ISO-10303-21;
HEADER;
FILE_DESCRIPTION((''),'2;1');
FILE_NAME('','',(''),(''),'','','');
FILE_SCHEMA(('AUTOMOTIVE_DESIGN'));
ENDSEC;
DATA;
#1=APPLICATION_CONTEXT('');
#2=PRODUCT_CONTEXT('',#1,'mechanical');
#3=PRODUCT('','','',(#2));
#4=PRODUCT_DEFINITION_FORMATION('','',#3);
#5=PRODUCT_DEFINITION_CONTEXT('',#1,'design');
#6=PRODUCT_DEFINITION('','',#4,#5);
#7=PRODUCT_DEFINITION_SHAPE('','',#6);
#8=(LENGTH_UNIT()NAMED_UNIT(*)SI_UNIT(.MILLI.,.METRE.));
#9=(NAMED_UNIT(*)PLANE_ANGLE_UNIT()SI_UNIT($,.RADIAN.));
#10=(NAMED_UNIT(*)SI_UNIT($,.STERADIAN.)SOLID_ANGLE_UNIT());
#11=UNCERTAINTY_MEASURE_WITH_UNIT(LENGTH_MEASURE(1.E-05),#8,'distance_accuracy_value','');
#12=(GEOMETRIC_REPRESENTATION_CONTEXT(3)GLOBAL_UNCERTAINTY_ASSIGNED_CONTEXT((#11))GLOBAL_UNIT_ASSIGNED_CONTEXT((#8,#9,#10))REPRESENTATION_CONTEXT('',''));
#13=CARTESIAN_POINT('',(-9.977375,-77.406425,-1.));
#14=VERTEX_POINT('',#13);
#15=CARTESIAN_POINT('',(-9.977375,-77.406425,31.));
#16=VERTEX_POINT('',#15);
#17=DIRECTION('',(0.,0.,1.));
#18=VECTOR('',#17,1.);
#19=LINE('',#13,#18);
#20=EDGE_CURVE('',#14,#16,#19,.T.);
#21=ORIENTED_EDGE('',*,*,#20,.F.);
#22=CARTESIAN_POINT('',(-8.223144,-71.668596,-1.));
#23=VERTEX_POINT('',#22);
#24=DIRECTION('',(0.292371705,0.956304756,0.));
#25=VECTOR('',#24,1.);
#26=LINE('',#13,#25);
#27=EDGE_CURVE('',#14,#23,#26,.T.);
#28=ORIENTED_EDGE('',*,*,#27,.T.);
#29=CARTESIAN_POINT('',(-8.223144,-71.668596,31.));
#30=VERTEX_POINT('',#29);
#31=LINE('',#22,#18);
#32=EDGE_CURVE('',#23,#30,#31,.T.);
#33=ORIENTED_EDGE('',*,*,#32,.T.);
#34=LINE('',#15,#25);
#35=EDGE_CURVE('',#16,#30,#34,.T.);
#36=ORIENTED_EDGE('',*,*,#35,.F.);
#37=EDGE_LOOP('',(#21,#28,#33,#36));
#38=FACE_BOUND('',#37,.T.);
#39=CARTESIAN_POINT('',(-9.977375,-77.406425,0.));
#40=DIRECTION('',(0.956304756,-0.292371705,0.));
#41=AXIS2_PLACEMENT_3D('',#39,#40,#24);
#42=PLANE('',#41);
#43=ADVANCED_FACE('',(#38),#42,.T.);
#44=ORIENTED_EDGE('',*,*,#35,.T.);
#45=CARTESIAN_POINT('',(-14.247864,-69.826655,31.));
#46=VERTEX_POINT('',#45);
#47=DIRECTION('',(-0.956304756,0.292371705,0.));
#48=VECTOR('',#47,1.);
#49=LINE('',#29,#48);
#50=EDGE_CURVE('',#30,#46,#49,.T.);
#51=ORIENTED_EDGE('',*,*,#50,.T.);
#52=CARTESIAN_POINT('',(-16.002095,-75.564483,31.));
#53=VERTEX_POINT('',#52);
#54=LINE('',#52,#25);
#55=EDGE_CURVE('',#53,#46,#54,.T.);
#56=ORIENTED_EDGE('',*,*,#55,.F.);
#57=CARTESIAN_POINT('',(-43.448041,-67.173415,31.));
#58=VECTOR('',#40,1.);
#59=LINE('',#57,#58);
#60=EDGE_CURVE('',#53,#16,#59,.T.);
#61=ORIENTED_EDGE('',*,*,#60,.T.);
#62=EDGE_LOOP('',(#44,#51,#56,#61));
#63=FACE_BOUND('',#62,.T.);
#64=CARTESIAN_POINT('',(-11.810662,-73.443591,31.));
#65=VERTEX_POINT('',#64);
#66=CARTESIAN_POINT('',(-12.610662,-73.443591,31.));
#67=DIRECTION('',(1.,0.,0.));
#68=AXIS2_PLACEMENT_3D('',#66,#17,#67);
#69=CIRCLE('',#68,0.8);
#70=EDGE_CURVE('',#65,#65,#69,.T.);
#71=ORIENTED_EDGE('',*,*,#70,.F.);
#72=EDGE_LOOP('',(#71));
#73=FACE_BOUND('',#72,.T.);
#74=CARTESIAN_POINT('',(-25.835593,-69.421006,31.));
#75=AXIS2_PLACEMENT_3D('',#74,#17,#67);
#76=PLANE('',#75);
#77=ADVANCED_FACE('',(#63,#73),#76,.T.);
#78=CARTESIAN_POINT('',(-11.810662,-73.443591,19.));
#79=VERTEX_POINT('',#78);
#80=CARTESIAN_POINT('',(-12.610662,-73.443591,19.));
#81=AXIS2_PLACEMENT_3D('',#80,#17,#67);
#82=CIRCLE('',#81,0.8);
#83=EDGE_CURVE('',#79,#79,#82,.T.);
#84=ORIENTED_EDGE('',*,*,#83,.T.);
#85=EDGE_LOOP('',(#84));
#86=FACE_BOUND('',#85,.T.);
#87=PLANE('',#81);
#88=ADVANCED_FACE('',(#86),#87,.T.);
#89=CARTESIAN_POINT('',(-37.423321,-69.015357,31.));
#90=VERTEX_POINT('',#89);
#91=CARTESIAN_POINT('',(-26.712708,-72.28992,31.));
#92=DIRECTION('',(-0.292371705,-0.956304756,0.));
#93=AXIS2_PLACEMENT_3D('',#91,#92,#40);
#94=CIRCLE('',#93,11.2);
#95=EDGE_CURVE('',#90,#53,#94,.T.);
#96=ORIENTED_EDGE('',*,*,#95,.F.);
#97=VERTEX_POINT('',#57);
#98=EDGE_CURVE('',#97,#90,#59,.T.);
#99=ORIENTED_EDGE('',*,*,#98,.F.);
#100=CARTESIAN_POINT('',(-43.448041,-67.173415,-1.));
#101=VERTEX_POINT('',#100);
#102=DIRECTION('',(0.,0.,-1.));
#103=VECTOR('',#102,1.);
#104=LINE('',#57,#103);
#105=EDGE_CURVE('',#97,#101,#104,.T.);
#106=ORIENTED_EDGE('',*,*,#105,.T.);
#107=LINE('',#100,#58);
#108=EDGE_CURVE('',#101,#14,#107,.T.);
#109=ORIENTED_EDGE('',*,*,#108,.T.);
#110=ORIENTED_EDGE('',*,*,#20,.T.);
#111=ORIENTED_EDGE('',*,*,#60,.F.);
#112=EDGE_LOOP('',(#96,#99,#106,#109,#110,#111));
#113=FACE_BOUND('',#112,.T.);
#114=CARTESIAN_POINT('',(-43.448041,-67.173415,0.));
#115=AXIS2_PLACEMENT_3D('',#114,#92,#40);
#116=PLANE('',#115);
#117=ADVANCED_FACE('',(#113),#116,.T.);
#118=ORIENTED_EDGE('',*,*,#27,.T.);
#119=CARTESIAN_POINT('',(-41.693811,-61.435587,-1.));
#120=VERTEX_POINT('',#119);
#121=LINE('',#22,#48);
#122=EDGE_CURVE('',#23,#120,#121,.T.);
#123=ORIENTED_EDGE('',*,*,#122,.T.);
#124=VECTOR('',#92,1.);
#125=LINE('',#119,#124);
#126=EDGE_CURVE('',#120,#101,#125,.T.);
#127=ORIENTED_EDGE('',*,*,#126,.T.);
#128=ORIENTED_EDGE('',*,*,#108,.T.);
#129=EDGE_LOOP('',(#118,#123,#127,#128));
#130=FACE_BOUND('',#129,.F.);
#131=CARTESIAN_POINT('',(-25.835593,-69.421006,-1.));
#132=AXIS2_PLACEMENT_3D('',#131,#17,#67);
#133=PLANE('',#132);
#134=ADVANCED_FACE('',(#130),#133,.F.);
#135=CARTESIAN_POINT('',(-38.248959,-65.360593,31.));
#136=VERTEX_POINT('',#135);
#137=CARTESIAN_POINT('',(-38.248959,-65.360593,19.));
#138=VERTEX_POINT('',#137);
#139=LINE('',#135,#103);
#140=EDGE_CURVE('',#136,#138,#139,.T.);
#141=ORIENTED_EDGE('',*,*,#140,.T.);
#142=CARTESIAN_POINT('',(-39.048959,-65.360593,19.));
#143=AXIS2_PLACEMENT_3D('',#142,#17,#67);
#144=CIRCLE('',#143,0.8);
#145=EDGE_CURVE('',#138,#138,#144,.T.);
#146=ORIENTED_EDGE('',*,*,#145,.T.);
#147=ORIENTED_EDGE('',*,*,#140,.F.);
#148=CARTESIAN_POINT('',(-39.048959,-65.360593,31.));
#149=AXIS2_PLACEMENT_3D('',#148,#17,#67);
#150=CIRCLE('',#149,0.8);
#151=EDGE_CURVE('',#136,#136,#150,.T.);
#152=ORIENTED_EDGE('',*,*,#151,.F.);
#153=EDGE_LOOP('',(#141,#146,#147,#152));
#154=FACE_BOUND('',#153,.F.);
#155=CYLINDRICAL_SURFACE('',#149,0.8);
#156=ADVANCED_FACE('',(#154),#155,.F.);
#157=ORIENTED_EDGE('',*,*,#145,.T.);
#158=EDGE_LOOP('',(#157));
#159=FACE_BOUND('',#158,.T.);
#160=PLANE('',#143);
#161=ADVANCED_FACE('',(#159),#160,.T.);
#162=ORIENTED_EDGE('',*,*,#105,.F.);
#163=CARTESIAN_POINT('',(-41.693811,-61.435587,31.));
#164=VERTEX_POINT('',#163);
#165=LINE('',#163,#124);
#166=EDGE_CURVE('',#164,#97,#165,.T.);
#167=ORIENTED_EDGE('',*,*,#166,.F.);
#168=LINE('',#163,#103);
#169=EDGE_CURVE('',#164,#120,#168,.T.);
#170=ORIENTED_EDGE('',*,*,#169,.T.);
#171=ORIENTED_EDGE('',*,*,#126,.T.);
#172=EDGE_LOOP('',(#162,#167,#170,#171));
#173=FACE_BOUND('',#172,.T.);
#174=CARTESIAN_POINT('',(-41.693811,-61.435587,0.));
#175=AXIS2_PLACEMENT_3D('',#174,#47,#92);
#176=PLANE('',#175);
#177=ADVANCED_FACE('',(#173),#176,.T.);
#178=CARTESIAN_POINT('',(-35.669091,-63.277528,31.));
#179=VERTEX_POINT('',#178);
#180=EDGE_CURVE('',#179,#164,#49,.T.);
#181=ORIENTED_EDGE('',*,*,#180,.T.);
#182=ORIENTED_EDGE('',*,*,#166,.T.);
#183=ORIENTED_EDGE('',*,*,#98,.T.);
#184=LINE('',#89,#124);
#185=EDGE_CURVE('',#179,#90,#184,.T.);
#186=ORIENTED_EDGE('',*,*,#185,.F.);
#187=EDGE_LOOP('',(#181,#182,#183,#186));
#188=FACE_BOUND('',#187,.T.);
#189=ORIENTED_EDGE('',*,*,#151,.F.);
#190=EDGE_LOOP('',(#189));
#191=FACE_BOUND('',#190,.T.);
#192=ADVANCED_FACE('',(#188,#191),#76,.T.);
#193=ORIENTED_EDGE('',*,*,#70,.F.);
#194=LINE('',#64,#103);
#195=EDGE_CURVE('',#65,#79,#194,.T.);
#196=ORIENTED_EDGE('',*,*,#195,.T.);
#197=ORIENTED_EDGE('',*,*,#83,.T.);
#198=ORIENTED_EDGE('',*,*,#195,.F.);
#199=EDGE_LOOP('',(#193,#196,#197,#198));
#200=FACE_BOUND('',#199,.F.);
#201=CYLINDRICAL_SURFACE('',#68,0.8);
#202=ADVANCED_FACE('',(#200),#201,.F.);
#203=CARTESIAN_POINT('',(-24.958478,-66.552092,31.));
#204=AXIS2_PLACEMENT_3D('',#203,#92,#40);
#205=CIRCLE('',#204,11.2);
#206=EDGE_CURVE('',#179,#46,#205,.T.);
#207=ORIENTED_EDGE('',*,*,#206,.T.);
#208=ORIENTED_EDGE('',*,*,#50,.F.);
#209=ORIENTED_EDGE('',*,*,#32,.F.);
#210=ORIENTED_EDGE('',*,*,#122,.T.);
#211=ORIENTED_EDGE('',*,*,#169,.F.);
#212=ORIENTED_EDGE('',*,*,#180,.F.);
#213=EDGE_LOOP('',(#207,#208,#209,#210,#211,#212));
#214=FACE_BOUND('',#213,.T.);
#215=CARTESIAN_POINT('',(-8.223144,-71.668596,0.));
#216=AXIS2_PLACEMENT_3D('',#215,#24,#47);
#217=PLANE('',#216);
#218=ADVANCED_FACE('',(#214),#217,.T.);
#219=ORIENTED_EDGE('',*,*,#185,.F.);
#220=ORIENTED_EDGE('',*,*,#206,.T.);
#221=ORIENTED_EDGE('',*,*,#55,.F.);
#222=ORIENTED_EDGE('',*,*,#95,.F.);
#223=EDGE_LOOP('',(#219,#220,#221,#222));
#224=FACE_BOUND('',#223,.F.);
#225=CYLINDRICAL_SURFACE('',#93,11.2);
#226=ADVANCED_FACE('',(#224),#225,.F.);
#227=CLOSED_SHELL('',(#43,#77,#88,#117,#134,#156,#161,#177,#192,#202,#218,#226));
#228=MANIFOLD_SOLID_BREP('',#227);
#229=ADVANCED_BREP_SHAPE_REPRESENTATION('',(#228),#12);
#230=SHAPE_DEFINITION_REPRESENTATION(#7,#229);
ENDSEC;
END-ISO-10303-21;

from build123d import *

# Parameters (mm, degrees)
PAD005_DEPTH      = 31
PAD005_DEPTH_BACK = 1
SKETCH022_R       = 11.2
POCKET006_DEPTH   = 15.7868758107
SKETCH030_R       = 0.8
POCKET012_DEPTH   = 12


with BuildPart() as part:
    # Sketch017 → Pad005 (new body, two sides)
    with BuildSketch(Plane.XY) as pad005_sk:
        Polygon((-43.4480411338, -67.1734152894), (-9.9773746751, -77.4064249547), (-8.2231444467, -71.6685964189), (-41.6938109054, -61.4355867536), align=None)
    extrude(amount=PAD005_DEPTH)
    extrude(pad005_sk.sketch, amount=-PAD005_DEPTH_BACK)

    # Sketch022 → Pocket006 (cut, through all)
    with BuildSketch(Plane(origin=(-22.4954398558, -73.5792683564, 0), x_dir=(0.956304756, -0.2923717047, 0), z_dir=(-0.2923717047, -0.956304756, 0))):
        with Locations((-4.4099624333, 31)):
            Circle(SKETCH022_R)
    extrude(amount=-POCKET006_DEPTH, mode=Mode.SUBTRACT)

    # Sketch030 → Pocket012 (cut)
    with BuildSketch(Plane.XY.offset(31)):
        with Locations((-12.610661593, -73.443591444)):
            Circle(SKETCH030_R)
        with Locations((-39.0489589627, -65.3605927726)):
            Circle(SKETCH030_R)
    extrude(amount=-POCKET012_DEPTH, mode=Mode.SUBTRACT)


solid = part.part
